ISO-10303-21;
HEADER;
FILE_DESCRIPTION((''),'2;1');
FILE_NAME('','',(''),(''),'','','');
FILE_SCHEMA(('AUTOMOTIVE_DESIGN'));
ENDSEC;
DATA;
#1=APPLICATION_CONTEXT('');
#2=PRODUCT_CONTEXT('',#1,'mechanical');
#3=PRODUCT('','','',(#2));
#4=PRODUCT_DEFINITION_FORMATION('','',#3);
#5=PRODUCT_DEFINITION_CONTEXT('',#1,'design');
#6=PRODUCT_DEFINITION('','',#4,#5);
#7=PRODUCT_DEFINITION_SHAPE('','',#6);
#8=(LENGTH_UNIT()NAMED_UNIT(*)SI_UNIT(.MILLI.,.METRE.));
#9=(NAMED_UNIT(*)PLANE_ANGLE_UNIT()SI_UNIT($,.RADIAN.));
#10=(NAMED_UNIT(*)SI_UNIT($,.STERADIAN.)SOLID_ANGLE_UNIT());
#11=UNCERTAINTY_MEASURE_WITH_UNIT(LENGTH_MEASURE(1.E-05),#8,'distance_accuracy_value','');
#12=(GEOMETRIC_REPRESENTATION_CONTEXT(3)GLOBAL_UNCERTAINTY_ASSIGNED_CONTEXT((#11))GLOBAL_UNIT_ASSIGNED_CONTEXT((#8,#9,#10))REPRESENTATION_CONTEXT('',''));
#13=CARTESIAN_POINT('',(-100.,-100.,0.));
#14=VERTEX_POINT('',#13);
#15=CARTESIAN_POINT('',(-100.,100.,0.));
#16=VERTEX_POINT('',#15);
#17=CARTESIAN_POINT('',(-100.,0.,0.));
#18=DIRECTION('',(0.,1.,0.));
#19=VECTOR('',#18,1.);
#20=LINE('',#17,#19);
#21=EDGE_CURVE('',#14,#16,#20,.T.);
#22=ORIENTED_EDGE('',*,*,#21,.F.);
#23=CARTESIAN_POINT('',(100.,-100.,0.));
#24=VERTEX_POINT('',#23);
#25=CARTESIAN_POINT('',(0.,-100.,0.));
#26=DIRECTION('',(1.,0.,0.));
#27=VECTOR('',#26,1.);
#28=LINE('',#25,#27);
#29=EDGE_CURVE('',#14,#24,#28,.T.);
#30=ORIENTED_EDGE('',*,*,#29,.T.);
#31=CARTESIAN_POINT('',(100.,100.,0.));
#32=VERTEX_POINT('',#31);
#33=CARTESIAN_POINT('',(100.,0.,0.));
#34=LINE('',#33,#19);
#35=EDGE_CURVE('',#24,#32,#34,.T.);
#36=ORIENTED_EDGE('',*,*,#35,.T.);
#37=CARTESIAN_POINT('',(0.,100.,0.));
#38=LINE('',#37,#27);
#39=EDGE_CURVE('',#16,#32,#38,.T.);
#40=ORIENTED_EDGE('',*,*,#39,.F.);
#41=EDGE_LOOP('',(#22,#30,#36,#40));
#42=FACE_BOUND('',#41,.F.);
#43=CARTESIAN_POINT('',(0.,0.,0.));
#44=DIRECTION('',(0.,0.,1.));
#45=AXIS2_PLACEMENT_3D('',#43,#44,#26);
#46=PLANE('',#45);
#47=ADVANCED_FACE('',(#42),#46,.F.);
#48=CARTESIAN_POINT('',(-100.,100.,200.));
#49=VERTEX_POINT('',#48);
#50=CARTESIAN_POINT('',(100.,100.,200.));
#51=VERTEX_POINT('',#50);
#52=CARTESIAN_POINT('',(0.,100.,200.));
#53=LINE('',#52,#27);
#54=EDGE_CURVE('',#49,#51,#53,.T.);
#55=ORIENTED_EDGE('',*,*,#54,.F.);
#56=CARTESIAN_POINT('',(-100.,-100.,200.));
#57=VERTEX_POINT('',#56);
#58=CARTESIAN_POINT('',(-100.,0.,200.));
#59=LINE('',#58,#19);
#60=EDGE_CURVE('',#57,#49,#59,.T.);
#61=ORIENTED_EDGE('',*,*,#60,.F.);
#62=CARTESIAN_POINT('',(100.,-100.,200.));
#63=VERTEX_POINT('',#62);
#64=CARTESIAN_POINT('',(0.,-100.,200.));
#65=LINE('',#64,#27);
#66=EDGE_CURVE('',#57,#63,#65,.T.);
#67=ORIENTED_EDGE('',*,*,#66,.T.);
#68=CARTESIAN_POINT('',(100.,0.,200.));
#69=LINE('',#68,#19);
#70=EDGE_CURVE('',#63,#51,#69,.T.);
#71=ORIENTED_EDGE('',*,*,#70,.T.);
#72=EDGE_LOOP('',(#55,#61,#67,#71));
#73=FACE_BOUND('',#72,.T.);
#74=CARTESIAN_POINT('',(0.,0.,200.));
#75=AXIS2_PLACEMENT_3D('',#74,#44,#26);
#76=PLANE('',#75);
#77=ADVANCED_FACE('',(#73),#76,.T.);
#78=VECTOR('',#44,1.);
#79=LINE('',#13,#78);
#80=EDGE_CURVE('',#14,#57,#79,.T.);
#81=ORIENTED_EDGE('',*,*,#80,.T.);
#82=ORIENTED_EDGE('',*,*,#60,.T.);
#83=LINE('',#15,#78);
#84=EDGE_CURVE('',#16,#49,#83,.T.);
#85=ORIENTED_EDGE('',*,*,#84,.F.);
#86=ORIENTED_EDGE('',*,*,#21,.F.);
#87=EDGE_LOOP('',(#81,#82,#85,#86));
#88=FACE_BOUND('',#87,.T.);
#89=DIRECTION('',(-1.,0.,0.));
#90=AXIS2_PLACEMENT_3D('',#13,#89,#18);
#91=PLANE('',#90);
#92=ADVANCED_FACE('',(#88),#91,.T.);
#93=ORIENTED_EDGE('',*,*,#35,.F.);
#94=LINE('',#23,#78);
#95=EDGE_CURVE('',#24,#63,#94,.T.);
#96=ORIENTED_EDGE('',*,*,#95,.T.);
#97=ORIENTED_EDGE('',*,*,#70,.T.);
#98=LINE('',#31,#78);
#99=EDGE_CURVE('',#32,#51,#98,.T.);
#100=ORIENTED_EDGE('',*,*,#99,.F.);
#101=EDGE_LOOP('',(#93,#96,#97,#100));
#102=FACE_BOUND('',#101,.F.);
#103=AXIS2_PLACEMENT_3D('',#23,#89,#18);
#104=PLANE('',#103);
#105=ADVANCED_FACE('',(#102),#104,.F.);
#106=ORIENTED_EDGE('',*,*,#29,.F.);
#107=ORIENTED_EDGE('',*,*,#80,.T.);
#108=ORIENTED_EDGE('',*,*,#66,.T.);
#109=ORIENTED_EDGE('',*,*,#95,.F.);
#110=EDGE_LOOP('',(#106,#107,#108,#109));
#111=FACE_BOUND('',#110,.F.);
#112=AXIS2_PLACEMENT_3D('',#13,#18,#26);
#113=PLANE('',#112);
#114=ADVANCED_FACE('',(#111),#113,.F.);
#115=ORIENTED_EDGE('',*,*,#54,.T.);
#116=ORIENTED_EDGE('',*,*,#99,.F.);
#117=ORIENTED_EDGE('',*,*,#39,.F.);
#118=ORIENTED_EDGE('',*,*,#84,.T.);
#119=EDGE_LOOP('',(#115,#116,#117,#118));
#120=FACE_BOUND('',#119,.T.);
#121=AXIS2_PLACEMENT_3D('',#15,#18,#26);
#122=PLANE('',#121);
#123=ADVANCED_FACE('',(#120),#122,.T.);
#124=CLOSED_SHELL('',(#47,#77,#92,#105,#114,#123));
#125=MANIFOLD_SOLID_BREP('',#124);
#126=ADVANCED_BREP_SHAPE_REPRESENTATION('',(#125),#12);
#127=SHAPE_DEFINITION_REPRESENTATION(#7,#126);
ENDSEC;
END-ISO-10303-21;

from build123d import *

# Parameters (mm, degrees)
BOX_W     = 200
BOX_H     = 200
BOX_DEPTH = 200


with BuildPart() as part:
    # Box → Box (new body)
    with BuildSketch(Plane(origin=(-100, -100, 0), x_dir=(1, 0, 0), z_dir=(0, 0, 1))):
        with Locations((100, 100)):
            Rectangle(BOX_W, BOX_H)
    extrude(amount=BOX_DEPTH)


solid = part.part
